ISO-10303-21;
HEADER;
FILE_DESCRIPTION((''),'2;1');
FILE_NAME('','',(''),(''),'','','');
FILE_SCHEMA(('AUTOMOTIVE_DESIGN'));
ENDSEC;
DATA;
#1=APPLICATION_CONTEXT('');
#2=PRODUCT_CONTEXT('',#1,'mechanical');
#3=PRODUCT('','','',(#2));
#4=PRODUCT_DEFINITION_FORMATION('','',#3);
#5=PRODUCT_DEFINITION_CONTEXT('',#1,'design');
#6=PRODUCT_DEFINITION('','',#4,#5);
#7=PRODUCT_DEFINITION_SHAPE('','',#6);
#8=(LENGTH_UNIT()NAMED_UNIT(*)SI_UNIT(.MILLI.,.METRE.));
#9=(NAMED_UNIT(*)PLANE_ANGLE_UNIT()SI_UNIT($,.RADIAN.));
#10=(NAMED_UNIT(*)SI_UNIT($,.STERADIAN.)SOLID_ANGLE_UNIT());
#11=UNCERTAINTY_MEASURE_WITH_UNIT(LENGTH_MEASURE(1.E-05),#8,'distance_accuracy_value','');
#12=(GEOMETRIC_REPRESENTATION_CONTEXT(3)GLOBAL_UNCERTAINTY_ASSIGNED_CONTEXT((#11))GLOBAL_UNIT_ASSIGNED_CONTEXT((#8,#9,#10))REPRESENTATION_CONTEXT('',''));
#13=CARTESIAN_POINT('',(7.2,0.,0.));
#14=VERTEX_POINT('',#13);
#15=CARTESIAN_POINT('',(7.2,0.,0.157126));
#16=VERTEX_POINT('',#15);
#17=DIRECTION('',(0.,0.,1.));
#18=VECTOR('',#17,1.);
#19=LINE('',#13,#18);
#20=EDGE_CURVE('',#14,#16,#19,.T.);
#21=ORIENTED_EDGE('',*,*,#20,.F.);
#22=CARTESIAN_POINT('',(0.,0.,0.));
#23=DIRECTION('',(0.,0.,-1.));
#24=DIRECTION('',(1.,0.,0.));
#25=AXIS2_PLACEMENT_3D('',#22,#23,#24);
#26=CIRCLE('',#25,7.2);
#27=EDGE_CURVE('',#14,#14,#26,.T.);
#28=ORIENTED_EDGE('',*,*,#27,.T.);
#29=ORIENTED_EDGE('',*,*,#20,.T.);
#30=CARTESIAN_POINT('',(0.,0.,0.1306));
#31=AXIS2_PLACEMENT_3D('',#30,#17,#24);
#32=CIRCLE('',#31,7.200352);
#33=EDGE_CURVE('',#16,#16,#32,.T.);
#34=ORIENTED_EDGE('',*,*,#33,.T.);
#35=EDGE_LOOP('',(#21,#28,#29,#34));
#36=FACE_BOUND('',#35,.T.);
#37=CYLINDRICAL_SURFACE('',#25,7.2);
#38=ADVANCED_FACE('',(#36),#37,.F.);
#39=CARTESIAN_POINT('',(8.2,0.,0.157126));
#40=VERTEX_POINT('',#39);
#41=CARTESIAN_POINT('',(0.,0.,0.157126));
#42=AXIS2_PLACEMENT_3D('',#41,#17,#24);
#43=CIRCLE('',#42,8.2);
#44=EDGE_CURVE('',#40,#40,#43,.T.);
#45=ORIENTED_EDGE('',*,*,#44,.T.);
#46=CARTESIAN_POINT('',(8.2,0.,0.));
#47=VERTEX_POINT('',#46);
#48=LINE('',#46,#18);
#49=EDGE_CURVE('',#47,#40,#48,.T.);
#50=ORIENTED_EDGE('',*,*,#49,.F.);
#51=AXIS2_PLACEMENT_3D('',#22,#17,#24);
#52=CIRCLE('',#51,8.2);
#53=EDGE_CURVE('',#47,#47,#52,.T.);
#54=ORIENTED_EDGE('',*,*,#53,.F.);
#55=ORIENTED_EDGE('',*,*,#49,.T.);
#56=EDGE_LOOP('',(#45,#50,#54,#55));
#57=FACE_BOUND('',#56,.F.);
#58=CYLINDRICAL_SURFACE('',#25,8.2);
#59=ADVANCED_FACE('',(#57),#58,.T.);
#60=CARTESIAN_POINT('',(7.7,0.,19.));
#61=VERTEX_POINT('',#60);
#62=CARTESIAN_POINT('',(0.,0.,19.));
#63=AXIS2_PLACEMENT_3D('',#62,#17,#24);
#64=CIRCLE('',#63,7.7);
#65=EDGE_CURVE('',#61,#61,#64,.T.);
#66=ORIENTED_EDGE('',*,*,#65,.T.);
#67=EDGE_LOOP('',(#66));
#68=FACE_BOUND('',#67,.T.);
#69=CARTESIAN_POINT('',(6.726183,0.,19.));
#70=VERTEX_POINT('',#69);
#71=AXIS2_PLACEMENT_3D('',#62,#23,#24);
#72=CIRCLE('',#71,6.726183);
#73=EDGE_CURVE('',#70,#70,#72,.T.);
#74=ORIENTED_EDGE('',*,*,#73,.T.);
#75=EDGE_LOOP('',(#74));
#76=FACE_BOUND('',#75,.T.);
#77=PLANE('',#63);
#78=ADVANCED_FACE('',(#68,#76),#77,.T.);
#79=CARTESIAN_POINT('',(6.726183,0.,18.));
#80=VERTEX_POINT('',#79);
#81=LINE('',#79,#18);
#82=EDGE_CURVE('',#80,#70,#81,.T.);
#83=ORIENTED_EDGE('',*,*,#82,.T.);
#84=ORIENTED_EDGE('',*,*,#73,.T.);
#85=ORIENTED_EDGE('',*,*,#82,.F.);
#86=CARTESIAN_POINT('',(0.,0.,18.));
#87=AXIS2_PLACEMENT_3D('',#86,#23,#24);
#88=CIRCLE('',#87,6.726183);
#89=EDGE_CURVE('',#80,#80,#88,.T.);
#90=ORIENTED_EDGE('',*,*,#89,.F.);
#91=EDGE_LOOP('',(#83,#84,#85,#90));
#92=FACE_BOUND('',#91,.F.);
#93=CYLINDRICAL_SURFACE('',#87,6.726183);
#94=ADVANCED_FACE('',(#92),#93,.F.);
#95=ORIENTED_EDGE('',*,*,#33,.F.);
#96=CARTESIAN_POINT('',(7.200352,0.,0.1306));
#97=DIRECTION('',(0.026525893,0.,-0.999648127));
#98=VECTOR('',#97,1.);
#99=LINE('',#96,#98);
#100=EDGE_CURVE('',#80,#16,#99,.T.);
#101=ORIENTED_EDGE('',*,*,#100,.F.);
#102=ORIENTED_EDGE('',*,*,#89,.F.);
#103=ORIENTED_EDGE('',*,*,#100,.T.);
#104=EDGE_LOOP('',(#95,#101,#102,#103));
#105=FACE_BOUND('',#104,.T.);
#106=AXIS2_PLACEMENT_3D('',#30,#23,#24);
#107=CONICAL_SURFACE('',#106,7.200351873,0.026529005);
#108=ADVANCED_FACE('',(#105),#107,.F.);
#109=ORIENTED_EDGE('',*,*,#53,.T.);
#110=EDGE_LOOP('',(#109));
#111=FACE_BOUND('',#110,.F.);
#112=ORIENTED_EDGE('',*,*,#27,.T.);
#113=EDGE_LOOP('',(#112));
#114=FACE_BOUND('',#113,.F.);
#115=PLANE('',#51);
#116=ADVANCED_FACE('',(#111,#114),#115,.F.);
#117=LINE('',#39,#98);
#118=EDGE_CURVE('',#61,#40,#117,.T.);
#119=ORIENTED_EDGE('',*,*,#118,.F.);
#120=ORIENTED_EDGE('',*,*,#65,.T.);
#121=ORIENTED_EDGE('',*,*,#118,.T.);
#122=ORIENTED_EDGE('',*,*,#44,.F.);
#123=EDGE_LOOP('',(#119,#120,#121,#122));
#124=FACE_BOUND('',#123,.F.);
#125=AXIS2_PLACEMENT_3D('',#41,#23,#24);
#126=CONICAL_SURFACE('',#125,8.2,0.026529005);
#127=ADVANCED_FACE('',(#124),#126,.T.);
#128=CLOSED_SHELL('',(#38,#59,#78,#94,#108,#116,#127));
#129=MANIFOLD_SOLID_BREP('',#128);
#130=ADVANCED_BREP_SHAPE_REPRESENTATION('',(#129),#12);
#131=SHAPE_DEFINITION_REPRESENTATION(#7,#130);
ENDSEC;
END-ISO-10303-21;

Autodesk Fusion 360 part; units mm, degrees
sketch "Sketch1" plane through (0, 0, 0) normal (0, 0, 1) x (1, 0, 0)
  circle A0 centre (0, 0) radius 8.2
  dimension "d1" = 16.4
extrude "Extrude1" add sketch "Sketch1" along normal blind 19
chamfer "Chamfer1" distance 0.5 angle 88.48 1 edges at (-7.6451, -2.9652, 19) measured on face at (1.6133, 1.7387, 19)
shell "Shell1" thickness 1 removed faces 1 at (1.6133, 1.7387, 0)
extrude "Extrude2" cut 1 faces at (-3.862, -0.2442, 18) along direction (0, 0, 1) blind 1
